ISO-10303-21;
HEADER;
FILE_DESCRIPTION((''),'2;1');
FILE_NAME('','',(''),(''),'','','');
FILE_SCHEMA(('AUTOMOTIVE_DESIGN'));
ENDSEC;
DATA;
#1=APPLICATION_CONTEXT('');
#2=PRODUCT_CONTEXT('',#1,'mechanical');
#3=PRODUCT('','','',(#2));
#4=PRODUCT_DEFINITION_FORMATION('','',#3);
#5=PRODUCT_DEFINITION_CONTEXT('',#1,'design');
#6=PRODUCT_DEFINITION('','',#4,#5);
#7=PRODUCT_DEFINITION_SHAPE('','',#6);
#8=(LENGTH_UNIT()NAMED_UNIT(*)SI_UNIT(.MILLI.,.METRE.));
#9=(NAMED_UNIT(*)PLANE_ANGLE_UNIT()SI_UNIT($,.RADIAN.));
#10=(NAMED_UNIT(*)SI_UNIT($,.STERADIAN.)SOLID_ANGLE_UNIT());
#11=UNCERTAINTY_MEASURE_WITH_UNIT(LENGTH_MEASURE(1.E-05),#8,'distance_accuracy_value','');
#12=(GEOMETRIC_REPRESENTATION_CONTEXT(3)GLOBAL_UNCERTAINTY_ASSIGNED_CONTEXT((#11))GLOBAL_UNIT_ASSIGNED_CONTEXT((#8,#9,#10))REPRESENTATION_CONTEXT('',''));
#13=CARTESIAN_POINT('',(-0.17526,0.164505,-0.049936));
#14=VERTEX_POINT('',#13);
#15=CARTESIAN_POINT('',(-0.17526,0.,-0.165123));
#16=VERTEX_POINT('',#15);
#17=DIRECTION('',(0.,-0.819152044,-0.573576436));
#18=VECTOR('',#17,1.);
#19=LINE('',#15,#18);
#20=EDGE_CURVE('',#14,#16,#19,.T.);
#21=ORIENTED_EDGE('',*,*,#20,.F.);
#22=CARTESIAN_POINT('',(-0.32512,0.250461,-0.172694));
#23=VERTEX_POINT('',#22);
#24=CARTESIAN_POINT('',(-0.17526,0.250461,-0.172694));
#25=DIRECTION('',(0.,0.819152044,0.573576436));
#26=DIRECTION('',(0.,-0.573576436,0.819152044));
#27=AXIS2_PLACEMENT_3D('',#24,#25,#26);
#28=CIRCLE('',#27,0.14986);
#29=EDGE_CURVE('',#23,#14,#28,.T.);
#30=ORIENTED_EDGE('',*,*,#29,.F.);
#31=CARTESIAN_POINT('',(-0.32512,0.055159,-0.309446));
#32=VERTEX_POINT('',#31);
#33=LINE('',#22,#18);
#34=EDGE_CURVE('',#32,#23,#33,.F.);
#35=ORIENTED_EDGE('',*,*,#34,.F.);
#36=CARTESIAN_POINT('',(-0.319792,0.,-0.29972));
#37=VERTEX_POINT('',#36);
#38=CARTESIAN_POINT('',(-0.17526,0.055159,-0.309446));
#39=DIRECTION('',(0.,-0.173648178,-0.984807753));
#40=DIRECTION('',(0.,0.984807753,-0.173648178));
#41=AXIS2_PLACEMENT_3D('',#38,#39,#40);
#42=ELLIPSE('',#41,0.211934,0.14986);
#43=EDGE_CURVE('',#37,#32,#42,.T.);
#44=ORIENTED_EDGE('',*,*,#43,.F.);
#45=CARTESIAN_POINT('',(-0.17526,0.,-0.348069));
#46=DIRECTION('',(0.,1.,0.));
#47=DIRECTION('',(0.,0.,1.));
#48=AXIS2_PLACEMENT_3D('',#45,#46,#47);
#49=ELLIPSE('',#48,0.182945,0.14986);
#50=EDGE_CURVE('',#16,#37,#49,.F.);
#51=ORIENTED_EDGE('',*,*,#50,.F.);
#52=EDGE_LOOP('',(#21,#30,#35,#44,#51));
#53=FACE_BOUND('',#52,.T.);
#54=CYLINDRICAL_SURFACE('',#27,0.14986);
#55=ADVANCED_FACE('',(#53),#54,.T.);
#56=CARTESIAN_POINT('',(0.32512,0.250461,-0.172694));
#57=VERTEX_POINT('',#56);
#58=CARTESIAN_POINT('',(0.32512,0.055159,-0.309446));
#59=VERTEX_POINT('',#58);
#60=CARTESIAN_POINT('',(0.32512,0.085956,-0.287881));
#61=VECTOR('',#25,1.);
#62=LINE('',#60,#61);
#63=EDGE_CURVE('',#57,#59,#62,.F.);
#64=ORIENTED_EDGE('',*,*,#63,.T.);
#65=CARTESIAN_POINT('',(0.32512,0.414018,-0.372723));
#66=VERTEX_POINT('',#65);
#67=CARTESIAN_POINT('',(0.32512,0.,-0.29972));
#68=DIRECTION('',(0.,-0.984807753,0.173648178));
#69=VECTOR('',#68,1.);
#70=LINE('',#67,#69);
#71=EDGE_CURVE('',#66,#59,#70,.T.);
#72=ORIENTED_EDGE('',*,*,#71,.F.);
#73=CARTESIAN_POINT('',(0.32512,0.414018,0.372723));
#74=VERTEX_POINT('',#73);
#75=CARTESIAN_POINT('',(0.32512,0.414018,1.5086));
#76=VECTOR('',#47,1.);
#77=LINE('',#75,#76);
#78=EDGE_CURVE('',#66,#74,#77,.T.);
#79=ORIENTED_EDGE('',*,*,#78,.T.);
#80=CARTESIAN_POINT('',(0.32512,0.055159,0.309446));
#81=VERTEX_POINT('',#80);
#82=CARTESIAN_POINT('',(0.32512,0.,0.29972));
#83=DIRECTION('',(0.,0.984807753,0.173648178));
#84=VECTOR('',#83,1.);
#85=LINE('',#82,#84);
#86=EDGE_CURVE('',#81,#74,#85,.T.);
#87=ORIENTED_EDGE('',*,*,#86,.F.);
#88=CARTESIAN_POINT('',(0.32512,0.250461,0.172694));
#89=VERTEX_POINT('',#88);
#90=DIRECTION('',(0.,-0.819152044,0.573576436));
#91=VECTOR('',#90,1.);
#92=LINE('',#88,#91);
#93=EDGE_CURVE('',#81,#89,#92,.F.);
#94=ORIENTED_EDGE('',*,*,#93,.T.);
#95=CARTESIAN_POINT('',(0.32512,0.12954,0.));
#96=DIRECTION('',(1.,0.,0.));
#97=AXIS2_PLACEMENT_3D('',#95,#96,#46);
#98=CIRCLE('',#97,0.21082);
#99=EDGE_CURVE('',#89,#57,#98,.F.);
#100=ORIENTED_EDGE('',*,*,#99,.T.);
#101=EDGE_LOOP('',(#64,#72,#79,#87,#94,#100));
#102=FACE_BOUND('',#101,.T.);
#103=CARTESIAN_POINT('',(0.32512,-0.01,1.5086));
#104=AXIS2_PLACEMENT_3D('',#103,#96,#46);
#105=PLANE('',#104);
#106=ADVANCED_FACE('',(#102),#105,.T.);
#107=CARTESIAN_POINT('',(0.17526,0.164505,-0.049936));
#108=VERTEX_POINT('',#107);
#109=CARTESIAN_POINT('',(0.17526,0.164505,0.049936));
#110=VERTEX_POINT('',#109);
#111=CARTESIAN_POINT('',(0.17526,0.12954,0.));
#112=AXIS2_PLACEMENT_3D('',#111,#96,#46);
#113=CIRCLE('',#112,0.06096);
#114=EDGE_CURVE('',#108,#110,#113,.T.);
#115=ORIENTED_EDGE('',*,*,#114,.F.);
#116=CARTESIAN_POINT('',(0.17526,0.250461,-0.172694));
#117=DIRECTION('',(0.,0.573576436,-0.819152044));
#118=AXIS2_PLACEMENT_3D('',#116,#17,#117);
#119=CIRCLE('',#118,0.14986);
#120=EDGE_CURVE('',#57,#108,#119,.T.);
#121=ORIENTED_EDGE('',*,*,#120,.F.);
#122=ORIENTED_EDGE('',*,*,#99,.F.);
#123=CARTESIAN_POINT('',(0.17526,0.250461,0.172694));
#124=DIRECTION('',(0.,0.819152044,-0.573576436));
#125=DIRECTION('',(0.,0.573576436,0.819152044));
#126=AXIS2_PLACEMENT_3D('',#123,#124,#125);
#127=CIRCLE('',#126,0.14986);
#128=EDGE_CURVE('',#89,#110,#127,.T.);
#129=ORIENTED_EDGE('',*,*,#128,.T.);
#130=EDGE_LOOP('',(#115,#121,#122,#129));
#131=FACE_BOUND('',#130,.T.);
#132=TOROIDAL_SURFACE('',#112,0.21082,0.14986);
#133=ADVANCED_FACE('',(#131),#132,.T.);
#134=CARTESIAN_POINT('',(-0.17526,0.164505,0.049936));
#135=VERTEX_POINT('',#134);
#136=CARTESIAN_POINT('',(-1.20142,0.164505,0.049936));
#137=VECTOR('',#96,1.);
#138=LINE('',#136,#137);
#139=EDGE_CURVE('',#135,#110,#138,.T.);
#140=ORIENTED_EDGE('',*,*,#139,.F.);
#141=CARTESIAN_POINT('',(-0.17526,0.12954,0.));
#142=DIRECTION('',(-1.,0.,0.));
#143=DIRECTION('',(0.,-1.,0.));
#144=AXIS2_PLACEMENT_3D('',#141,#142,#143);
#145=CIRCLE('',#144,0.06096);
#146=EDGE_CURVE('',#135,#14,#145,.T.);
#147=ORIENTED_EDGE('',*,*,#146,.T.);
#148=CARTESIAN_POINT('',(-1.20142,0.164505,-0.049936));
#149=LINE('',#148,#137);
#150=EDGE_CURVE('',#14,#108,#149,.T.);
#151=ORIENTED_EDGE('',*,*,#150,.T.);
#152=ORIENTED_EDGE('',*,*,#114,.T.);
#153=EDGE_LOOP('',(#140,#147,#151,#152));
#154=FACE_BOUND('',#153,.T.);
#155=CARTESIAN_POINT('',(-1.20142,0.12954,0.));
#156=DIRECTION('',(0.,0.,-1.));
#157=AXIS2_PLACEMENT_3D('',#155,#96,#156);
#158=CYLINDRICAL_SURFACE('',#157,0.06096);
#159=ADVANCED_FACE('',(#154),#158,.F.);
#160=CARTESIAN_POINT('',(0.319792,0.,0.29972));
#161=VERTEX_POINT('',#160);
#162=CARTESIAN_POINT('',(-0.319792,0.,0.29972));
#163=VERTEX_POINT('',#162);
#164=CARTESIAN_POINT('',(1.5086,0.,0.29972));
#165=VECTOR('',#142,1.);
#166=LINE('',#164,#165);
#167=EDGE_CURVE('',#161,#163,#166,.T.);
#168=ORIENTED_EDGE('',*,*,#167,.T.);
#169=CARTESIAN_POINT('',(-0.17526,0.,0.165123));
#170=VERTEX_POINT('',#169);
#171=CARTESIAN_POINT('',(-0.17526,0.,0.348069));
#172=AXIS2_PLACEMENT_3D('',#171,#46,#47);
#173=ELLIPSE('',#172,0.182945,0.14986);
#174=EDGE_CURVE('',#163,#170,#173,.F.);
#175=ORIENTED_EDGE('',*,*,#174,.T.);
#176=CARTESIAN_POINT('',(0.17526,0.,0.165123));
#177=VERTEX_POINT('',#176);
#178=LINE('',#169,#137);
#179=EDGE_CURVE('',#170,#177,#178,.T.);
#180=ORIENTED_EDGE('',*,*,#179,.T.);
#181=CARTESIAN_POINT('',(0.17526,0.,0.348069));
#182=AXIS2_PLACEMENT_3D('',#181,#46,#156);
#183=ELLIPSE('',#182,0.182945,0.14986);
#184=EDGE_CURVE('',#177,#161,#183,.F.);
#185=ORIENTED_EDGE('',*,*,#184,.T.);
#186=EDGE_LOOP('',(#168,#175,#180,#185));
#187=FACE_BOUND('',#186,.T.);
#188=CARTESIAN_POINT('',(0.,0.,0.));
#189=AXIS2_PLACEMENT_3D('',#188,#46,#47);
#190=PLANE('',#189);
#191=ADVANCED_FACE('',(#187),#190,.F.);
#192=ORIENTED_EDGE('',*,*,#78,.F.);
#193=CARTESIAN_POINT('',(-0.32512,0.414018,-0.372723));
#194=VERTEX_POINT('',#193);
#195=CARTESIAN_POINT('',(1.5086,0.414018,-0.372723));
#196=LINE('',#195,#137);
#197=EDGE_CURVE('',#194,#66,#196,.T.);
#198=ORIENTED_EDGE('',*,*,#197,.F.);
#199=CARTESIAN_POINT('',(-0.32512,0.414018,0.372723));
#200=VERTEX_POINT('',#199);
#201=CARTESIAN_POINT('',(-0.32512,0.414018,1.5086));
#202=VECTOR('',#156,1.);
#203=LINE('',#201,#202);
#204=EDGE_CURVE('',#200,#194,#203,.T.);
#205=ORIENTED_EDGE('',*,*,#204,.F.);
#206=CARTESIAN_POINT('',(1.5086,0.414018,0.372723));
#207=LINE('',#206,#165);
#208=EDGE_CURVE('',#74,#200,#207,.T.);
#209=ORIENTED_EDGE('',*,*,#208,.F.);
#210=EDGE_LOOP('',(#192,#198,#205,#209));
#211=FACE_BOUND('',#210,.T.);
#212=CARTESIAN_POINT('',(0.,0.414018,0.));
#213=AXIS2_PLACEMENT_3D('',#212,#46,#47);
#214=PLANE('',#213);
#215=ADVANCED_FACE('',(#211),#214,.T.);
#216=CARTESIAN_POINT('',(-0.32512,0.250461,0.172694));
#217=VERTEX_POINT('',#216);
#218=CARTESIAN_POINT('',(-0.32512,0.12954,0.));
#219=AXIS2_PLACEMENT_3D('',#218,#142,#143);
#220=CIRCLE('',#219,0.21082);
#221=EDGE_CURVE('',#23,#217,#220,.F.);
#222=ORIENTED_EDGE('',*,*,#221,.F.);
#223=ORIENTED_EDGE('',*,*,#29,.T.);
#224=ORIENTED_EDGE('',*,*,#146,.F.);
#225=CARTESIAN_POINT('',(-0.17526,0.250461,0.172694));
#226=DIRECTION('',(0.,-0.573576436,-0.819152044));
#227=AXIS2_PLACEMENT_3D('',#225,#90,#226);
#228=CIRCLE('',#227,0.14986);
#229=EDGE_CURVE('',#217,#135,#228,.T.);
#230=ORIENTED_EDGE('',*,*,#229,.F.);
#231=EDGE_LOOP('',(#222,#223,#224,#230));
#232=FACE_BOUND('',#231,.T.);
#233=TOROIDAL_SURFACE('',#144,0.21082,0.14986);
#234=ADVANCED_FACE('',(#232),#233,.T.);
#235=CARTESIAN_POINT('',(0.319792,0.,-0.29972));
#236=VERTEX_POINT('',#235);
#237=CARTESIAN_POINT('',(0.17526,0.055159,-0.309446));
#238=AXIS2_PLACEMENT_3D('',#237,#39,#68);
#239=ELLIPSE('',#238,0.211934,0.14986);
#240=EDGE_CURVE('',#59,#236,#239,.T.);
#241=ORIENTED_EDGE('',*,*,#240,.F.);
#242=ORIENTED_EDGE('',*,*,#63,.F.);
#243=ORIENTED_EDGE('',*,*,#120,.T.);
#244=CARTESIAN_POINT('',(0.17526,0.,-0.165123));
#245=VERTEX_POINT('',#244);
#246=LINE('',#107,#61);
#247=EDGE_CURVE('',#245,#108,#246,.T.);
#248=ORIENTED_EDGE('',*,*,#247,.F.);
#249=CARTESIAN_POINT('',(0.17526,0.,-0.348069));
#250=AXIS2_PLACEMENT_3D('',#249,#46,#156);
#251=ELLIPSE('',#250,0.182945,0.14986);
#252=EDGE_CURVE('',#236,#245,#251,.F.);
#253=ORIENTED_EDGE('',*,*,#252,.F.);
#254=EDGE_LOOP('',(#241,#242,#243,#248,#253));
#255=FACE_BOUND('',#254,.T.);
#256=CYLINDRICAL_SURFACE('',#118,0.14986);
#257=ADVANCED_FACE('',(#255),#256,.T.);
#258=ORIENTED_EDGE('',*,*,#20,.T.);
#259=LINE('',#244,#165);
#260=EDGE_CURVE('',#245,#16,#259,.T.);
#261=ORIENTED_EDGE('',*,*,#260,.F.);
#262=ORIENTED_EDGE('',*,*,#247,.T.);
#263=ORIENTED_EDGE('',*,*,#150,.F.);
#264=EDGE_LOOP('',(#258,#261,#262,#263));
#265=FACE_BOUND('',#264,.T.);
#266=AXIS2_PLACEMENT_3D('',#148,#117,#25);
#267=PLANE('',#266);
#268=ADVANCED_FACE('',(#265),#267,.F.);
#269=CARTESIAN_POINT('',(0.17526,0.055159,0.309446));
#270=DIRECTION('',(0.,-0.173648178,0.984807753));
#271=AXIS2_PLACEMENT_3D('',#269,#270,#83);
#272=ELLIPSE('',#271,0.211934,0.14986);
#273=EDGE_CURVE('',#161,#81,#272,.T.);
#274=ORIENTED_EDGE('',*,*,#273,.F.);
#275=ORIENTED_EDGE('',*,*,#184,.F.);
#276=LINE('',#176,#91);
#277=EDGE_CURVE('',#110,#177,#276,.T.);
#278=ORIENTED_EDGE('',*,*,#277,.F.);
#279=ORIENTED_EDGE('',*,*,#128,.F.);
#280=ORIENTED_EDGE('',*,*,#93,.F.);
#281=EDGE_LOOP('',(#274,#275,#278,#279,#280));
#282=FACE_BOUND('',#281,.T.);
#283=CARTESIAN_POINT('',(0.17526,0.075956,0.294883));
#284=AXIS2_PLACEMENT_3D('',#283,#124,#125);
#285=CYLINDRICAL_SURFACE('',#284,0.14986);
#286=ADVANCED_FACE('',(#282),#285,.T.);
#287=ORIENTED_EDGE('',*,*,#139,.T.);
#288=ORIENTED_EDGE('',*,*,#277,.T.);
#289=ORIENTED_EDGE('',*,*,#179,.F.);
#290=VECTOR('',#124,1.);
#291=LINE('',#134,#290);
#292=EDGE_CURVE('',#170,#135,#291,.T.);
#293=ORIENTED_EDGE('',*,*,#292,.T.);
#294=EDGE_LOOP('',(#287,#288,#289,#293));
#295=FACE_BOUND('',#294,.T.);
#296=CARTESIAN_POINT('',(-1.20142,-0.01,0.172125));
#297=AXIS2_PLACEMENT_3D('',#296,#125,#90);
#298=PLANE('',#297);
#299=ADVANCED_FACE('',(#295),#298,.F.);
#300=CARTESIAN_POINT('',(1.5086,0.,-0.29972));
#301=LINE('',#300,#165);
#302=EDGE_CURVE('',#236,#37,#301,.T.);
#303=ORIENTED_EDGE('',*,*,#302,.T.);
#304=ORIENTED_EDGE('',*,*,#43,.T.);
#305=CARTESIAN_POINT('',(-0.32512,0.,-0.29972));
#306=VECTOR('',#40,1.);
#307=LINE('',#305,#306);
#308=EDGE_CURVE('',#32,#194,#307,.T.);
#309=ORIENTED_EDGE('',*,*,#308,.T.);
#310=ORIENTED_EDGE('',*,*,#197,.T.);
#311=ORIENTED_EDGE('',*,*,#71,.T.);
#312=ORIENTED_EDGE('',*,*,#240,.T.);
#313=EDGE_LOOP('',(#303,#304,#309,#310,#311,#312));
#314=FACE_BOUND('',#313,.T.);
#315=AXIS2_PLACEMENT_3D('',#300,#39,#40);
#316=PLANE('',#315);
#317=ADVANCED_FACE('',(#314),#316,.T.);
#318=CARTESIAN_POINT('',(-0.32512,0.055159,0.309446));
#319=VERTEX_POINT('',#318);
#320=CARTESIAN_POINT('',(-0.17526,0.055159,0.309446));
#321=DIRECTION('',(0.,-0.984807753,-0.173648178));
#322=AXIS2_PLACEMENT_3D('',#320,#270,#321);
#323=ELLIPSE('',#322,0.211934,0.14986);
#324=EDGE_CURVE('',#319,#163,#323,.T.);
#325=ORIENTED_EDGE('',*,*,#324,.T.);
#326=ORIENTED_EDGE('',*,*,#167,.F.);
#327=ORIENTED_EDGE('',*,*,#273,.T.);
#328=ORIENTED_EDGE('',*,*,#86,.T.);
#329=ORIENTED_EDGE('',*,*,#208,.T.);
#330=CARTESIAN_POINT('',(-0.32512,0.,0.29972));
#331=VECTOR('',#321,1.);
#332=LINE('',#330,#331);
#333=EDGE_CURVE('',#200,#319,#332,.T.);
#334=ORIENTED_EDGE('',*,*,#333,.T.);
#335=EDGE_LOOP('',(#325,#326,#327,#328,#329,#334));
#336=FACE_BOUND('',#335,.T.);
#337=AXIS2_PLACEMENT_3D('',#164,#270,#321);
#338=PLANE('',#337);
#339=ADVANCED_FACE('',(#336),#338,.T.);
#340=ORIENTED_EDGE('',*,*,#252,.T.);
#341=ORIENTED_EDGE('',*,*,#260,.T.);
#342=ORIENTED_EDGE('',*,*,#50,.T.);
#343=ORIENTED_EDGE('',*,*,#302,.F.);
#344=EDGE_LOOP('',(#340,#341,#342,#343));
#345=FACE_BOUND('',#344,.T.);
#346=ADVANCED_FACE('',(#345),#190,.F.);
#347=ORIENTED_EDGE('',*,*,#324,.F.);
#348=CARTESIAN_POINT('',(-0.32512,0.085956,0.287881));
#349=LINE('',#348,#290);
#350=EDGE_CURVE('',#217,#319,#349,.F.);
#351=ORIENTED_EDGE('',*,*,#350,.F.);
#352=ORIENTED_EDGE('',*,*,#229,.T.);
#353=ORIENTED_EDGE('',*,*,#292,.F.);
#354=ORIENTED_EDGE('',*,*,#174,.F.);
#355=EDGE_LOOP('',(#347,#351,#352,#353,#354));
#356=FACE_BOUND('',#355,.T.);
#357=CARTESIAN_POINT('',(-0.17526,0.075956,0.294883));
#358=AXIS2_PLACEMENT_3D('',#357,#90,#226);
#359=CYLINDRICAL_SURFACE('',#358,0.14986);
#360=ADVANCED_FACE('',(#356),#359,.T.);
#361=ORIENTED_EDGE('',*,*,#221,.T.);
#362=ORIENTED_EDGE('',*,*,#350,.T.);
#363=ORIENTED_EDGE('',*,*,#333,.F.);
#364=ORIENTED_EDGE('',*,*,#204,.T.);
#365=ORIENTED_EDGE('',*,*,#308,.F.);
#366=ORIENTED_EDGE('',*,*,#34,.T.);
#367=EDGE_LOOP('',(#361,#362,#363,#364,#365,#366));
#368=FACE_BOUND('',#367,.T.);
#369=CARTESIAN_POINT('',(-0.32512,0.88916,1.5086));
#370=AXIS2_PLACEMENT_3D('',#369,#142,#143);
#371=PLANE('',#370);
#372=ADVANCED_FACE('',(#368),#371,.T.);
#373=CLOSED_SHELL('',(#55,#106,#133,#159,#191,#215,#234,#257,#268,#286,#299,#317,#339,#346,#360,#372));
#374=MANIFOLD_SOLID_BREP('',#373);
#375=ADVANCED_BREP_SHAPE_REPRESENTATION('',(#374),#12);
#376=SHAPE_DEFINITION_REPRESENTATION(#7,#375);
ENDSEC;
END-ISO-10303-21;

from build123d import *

# Parameters (mm, degrees)
SKETCH_TL_CUTTING_R    = 1.4986
TL_CUTTING_DEPTH       = 29.999999944
SKETCH_TDF_CUTTING_W   = 3.01719996
SKETCH_TDF_CUTTING_H   = 3.01719996
TDF_CUTTING_DEPTH      = 31.074766841
VW_VR_GRINDING_DEPTH   = 1.50859998
VW_VR_GRINDING_2_DEPTH = 1.50859998
ISA_GRINDING_DEPTH     = 1.50859998
SKETCH_PRE_FRX_BRX_W   = 1.16348002
SKETCH_PRE_FRX_BRX_H   = 0.89916
SKETCH_PRE_FRX_BRX_W_2 = 1.19347996
PRE_FRX_BRX_DEPTH      = 1.50859998
FA_BA_GRINDING_DEPTH   = 1.50859998
BR_EDM_R               = 0.14986
FR_EDM_R               = 0.14986


with BuildPart() as part:
    # sketch_TL_cutting → TL_cutting (new body)
    with BuildSketch(Plane(origin=(0, 0, 0), x_dir=(1, 0, 0), z_dir=(0, 1, 0))):
        with Locations(Location((0, 0, 0), (0, 0, 270))):
            Circle(SKETCH_TL_CUTTING_R)
    extrude(amount=TL_CUTTING_DEPTH)

    # sketch_TDF_cutting → TDF_cutting (cut, through all)
    with BuildSketch(Plane(origin=(0, 0, 0), x_dir=(1, 0, 0), z_dir=(0, 1, 0))):
        with Locations((-2.71001998, 0)):
            Rectangle(SKETCH_TDF_CUTTING_W, SKETCH_TDF_CUTTING_H)
    extrude(amount=TDF_CUTTING_DEPTH, mode=Mode.SUBTRACT)


with BuildPart() as body_2:
    # sketch_VW_VR_grinding → VW_VR_grinding (new, symmetric)
    with BuildSketch(Plane(origin=(0, 0, 0), x_dir=(0, 0, -1), z_dir=(1, 0, 0))):
        with BuildLine():
            Line((-1.49360001, -0.00999998), (-1.49360001, 0.888048914))
            ThreePointArc((-1.49360001, 0.888048914), (-1.493648337, 0.889155792), (-1.493792952, 0.890254246))
            Line((-1.493792952, 0.890254246), (-1.51859996, 1.030941782))
            Line((-1.51859996, 1.030941782), (-1.50859998, -0.00999998))
            Line((-1.50859998, -0.00999998), (-1.49360001, -0.00999998))
        make_face()
    extrude(amount=VW_VR_GRINDING_DEPTH, both=True)


with BuildPart() as body_3:
    # sketch_VW_VR_grinding → VW_VR_grinding 2 (new, symmetric)
    with BuildSketch(Plane(origin=(0, 0, 0), x_dir=(0, 0, -1), z_dir=(1, 0, 0))):
        with BuildLine():
            Line((1.49360001, -0.00999998), (1.49360001, 0.888048914))
            ThreePointArc((1.49360001, 0.888048914), (1.493648337, 0.889155792), (1.493792952, 0.890254246))
            Line((1.493792952, 0.890254246), (1.51859996, 1.030941782))
            Line((1.51859996, 1.030941782), (1.50859998, -0.00999998))
            Line((1.50859998, -0.00999998), (1.49360001, -0.00999998))
        make_face()
    extrude(amount=VW_VR_GRINDING_2_DEPTH, both=True)


    add(body_2.part)  # ISA_grinding merges body 2
    # sketch_ISA_grinding → ISA_grinding (add, symmetric)
    with BuildSketch(Plane(origin=(0, 0, 0), x_dir=(0, 0, -1), z_dir=(1, 0, 0))):
        Polygon((-0.29972, 0), (0.29972, 0), (1.50859998, 6.855899053), (1.50859998, -0.02999994), (-1.50859998, -0.02999994), (-1.50859998, 6.855899053), align=None)
    extrude(amount=ISA_GRINDING_DEPTH, both=True)

    # sketch_pre_FRX_BRX → pre_FRX_BRX (add, symmetric)
    with BuildSketch(Plane.XY):
        with Locations((0.91685999, 0.43958002)):
            Rectangle(SKETCH_PRE_FRX_BRX_W, SKETCH_PRE_FRX_BRX_H)
        with Locations((-0.92185998, 0.43958002)):
            Rectangle(SKETCH_PRE_FRX_BRX_W_2, SKETCH_PRE_FRX_BRX_H)
    extrude(amount=PRE_FRX_BRX_DEPTH, both=True)

    # sketch_FA_BA_grinding → FA_BA_grinding (add, symmetric)
    with BuildSketch(Plane.XY):
        Polygon((0.32512, -0.00999998), (0.32512, 0.89916), (1.6256, 10.152556017), (1.6256, -0.00999998), align=None)
        Polygon((-0.32512, -0.00999998), (-0.32512, 0.89916), (-1.32842, 8.038010442), (-1.32842, -0.00999998), align=None)
    extrude(amount=FA_BA_GRINDING_DEPTH, both=True)


with BuildPart() as part_1:
    add(part.part)

    # B1_fix: cut body 3
    add(body_3.part, mode=Mode.SUBTRACT)

    # V-Groove_EDM: sweep along a path in sketch_contour_V-Groove
    with BuildLine(Plane.XY) as v_groove_edm_path:
        Line((-1.20142, 0.1905), (1.4986, 0.1905))
    # sketch_section_V-Groove → V-Groove_EDM (sweep, cut)
    with BuildSketch(Plane(origin=(-1.20142, 0, -1.2954), x_dir=(0, 0, -1), z_dir=(1, 0, 0))):
        with BuildLine():
            Line((-1.245464491, 0.16450522), (-1.123274635, -0.00999998))
            Line((-1.123274635, -0.00999998), (-1.467525365, -0.00999998))
            Line((-1.467525365, -0.00999998), (-1.345335509, 0.16450522))
            ThreePointArc((-1.345335509, 0.16450522), (-1.2954, 0.1905), (-1.245464491, 0.16450522))
        make_face()
    sweep(path=v_groove_edm_path.line, mode=Mode.SUBTRACT)

    # BR_EDM
    br_edm_edges = [part_1.edges().sort_by_distance(p)[0] for p in [
        (-0.32512, 0.1905, 0),
        (-0.32512, 0.08225261, -0.107529406),
        (-0.32512, 0.08225261, 0.107529406),
    ]]
    fillet(br_edm_edges, radius=BR_EDM_R)

    # FR_EDM
    fr_edm_edges = [part_1.edges().sort_by_distance(p)[0] for p in [
        (0.32512, 0.08225261, -0.107529406),
        (0.32512, 0.08225261, 0.107529406),
        (0.32512, 0.1905, 0),
    ]]
    fillet(fr_edm_edges, radius=FR_EDM_R)

    # SurfaceCut1
    split(bisect_by=Plane(origin=(0, 0.41401793, 0), x_dir=(1, 0, 0), z_dir=(0, 1, 0)), keep=Keep.BOTTOM)


solid = part_1.part
